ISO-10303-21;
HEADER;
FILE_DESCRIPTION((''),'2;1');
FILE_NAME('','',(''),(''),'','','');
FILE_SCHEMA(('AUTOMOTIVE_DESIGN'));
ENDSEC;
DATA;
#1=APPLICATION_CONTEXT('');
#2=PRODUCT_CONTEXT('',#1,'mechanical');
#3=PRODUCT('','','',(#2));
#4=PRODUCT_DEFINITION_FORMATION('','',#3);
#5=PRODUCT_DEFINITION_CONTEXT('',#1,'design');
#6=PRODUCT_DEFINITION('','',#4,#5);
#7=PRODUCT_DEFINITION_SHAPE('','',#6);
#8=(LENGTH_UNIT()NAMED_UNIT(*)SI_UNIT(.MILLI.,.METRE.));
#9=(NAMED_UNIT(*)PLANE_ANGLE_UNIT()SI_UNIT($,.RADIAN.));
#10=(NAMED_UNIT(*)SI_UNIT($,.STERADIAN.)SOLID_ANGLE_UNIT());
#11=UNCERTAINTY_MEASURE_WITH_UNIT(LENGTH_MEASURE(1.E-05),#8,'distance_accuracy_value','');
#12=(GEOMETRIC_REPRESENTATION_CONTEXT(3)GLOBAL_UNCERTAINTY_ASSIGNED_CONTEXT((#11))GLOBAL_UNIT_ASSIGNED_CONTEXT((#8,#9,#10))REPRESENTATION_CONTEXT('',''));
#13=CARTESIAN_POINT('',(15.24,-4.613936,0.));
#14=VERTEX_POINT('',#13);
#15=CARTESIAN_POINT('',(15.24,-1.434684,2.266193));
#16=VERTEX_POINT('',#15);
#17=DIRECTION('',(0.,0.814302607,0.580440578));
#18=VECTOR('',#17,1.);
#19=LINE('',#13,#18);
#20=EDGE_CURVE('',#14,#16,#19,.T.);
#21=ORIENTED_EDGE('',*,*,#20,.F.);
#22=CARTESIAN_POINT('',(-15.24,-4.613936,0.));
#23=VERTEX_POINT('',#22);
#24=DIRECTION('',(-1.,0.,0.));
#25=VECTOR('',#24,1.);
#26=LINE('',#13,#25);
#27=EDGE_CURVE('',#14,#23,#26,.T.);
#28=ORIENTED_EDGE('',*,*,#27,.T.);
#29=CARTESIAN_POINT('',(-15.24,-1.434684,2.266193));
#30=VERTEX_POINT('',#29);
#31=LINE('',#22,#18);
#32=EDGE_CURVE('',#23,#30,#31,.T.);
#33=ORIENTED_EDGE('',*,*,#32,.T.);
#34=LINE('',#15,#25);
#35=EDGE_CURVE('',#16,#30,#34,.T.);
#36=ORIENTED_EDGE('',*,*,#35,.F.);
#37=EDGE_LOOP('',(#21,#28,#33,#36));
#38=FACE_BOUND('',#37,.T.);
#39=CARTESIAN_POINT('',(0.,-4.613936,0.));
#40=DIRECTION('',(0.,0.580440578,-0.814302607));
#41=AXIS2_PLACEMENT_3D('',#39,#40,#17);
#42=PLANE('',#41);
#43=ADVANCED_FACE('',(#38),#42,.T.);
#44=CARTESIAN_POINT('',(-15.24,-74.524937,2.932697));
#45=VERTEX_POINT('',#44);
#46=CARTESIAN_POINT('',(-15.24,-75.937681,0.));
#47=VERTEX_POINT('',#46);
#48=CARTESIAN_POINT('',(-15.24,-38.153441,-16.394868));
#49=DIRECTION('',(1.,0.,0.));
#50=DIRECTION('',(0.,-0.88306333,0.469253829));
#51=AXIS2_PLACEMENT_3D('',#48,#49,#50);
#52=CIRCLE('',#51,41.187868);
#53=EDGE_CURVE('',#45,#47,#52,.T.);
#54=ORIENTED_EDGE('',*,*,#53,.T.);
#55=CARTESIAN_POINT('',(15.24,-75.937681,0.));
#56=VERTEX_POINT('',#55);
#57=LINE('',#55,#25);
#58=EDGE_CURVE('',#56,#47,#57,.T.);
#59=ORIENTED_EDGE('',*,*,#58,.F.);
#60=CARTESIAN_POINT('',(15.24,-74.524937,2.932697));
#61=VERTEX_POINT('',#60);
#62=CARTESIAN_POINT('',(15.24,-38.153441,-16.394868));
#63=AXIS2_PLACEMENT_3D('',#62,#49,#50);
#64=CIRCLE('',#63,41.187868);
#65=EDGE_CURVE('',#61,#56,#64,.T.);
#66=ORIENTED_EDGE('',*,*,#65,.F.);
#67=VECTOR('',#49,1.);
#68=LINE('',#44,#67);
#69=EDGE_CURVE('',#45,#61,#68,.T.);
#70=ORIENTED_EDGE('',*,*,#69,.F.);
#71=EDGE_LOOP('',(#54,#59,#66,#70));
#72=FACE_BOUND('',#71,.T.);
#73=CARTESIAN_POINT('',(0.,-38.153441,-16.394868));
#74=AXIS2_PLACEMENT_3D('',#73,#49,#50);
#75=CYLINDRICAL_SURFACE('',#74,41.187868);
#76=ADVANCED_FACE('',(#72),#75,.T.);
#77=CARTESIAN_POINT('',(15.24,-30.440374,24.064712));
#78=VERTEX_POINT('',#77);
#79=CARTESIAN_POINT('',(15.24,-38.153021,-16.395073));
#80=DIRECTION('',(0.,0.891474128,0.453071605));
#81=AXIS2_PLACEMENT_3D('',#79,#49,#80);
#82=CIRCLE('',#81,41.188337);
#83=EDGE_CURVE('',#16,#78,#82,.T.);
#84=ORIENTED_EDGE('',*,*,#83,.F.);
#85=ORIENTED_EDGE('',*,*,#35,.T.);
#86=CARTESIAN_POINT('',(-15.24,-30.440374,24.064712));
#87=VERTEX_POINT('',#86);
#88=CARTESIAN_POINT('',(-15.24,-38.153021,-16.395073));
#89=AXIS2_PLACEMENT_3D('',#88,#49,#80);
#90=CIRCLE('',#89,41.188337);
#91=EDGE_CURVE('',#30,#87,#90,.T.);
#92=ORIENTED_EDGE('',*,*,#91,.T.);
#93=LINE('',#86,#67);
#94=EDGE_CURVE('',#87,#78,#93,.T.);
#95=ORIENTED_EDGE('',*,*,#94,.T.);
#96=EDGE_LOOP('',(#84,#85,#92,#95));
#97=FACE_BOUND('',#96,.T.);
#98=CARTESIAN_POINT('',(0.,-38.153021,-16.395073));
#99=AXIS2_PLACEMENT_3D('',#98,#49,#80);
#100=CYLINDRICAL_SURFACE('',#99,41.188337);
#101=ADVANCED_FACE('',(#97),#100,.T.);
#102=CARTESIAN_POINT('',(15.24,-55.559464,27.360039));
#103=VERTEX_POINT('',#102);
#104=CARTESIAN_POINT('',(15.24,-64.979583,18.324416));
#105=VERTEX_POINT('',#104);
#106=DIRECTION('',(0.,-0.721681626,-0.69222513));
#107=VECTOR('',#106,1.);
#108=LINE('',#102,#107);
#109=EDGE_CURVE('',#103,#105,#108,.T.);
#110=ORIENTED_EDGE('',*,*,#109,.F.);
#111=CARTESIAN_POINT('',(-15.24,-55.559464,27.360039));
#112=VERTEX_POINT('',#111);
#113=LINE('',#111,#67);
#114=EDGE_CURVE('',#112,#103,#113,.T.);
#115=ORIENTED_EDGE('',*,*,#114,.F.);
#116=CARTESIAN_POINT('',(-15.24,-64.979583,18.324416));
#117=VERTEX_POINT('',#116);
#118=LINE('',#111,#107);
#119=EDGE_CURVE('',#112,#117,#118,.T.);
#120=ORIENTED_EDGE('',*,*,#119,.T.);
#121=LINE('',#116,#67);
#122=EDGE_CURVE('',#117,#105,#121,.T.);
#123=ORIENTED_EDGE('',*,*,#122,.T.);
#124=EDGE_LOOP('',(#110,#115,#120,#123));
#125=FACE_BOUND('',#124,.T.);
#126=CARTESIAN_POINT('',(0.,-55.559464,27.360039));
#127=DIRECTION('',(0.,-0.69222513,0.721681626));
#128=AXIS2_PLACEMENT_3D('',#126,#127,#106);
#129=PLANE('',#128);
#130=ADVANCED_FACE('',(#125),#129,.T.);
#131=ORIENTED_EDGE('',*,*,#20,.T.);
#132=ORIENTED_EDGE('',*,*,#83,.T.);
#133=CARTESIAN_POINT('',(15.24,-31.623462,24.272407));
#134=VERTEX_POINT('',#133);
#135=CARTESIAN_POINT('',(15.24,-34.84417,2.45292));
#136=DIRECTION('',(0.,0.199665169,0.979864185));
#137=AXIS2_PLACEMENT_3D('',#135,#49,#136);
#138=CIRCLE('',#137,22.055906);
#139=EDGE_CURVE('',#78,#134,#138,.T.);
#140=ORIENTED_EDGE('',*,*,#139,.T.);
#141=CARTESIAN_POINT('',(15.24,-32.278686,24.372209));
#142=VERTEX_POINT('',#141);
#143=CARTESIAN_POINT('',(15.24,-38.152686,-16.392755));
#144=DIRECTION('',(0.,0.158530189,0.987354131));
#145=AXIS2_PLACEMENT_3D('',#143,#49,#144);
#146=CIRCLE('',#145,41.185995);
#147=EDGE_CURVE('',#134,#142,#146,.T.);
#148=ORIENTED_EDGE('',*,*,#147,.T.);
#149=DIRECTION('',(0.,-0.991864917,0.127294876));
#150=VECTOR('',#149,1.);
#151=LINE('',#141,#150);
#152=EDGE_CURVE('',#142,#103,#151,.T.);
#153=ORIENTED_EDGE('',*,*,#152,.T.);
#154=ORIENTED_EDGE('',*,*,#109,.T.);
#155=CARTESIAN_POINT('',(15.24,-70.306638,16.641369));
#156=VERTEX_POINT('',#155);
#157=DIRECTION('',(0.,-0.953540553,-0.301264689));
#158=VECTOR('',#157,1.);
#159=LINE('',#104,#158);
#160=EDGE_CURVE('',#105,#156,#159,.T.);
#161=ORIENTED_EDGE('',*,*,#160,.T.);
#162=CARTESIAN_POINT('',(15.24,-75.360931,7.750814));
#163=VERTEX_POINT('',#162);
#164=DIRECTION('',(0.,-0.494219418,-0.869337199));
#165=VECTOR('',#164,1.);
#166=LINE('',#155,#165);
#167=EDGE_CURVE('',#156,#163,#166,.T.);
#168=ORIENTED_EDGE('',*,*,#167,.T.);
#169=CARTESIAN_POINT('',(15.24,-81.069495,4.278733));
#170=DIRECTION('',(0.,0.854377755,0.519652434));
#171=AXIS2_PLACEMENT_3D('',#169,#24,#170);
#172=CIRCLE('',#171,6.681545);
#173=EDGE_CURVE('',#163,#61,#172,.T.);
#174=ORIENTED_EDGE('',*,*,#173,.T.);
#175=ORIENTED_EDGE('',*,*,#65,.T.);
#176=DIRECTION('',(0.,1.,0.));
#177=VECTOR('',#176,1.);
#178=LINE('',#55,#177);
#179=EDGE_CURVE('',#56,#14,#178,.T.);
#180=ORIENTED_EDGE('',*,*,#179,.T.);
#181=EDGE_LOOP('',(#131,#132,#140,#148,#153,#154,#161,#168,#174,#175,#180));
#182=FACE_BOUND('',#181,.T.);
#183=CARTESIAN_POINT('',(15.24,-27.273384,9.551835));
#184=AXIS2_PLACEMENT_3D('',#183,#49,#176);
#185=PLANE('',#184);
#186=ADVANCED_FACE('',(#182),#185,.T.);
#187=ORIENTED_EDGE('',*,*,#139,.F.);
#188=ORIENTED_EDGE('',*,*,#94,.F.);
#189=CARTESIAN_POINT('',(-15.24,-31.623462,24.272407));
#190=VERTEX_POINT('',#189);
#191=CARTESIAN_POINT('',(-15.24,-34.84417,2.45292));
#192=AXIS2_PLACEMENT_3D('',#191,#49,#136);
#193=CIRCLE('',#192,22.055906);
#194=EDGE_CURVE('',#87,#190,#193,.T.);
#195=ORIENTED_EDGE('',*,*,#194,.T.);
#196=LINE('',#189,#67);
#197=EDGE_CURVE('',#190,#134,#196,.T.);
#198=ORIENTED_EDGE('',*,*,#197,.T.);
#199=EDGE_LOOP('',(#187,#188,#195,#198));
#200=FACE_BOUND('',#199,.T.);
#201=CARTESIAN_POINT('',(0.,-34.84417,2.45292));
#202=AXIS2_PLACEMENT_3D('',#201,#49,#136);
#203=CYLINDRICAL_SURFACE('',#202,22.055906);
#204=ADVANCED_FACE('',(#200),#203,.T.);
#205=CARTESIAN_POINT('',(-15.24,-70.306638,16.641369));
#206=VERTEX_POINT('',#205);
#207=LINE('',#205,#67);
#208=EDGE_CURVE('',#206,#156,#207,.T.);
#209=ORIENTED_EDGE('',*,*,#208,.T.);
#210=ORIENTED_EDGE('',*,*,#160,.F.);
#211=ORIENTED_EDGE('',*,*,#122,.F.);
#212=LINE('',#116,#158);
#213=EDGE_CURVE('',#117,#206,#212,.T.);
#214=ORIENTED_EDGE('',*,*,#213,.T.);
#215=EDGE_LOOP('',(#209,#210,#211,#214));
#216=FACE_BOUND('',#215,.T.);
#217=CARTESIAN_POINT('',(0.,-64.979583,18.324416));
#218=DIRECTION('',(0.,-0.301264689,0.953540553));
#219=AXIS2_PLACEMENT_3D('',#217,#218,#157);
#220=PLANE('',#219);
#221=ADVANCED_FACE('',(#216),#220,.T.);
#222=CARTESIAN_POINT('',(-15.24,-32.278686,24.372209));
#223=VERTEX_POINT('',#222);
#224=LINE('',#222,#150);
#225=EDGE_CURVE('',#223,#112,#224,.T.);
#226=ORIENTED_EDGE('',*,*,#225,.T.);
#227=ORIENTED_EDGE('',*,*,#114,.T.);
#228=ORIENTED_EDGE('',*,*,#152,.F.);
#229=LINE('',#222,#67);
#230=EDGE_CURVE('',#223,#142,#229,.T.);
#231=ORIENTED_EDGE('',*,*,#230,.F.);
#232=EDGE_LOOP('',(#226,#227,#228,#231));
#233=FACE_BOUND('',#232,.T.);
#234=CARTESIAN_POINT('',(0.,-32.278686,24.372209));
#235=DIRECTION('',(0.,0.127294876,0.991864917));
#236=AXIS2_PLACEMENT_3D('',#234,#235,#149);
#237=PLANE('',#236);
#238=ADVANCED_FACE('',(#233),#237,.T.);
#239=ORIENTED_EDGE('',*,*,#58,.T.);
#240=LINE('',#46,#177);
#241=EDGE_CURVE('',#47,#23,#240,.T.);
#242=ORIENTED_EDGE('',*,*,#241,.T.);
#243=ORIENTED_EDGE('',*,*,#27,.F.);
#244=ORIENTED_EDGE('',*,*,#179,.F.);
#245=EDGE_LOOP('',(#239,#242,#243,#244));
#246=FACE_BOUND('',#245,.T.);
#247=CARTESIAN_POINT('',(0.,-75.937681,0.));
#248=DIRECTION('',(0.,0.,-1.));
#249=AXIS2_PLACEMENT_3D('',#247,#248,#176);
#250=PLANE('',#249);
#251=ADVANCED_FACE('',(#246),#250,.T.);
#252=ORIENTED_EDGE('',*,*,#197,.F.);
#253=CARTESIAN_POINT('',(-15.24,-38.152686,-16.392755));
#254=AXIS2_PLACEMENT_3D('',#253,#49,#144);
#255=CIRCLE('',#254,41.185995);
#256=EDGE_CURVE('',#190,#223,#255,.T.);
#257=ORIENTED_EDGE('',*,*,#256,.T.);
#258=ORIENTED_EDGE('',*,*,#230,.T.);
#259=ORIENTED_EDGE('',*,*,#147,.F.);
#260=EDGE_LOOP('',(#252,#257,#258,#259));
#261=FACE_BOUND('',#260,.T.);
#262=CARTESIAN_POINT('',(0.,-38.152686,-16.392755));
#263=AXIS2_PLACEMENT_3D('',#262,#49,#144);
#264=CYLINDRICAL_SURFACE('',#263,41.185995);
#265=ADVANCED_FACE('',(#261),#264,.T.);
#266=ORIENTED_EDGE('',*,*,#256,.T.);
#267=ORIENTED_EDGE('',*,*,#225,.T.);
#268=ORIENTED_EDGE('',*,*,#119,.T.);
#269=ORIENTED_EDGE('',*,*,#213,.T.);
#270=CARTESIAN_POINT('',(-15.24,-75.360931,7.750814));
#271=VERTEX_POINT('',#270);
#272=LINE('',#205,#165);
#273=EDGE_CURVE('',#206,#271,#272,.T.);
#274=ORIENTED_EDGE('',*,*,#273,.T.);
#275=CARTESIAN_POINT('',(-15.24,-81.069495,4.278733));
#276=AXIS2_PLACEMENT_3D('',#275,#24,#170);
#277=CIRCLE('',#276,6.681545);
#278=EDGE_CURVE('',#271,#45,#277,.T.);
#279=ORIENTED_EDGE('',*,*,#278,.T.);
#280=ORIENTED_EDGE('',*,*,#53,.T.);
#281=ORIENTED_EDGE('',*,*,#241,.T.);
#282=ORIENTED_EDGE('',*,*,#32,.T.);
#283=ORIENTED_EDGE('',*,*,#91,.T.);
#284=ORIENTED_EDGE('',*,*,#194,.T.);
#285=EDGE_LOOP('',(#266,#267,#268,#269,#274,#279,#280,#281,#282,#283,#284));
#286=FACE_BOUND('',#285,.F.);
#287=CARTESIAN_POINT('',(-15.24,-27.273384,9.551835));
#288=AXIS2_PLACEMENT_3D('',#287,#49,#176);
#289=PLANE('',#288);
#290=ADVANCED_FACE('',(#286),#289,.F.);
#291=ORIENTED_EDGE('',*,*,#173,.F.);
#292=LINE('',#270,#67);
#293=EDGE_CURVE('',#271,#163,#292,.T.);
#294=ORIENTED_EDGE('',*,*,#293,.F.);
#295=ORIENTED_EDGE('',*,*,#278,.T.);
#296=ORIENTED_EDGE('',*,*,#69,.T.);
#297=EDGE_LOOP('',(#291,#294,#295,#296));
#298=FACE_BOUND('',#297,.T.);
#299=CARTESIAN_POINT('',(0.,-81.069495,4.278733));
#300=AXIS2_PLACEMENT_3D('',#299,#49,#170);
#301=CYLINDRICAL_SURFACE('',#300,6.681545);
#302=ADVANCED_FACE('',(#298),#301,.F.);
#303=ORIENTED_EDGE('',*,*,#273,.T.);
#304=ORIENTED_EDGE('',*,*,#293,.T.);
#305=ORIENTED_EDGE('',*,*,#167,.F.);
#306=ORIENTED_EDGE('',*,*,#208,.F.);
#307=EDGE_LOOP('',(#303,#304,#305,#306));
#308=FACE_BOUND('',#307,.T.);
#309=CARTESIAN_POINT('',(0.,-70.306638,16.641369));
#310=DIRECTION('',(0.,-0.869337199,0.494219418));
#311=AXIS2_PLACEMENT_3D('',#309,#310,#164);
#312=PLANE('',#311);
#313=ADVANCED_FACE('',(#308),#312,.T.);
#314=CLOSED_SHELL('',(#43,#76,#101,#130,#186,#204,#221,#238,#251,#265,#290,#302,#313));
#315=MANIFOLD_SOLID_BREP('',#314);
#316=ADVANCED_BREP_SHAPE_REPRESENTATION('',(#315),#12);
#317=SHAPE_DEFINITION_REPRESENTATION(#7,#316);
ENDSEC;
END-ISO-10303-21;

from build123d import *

# Parameters (mm, degrees)
F1_DEPTH      = 15.24
F1_DEPTH_BACK = 15.24


with BuildPart() as f1:
    # F0 (on Right) → F1 (new body, two sides)
    with BuildSketch(Plane.YZ) as f1_sk:
        with BuildLine():
            ThreePointArc((-1.434684, 2.266193), (-13.407881, 16.531469), (-30.440374, 24.064712))
            ThreePointArc((-30.440374, 24.064712), (-21.972596, 20.363563), (-15.764277, 13.518233))
            ThreePointArc((-15.764277, 13.518233), (-15.114308, 11.234153), (-16.148772, 9.096545))
            Line((-16.148772, 9.096545), (-50.502049, 12.267617))
            ThreePointArc((-50.502049, 12.267617), (-55.179249, 9.077793), (-57.481937, 3.905869))
            Line((-57.481937, 3.905869), (-4.613936, 0))
            Line((-4.613936, 0), (-1.434684, 2.266193))
        make_face()
        with BuildLine():
            ThreePointArc((-30.440374, 24.064712), (-31.030504, 24.176615), (-31.623462, 24.272407))
            ThreePointArc((-31.623462, 24.272407), (-31.031161, 24.172873), (-30.440374, 24.064712))
        make_face()
        with BuildLine():
            ThreePointArc((-74.524937, 2.932697), (-75.260293, 1.480311), (-75.937681, 0))
            ThreePointArc((-75.937681, 0), (-75.049977, 1.378997), (-74.524937, 2.932697))
        make_face()
        Polygon((-4.613936, 0), (-57.481937, 3.905869), (-60.1734, 0), align=None)
        with BuildLine():
            ThreePointArc((-50.502049, 12.267617), (-42.703408, 20.296684), (-32.278686, 24.372209))
            Line((-32.278686, 24.372209), (-55.559464, 27.360039))
            Line((-55.559464, 27.360039), (-64.979583, 18.324416))
            ThreePointArc((-64.979583, 18.324416), (-58.204998, 14.186486), (-50.502049, 12.267617))
        make_face()
        with BuildLine():
            ThreePointArc((-30.440374, 24.064712), (-31.031161, 24.172873), (-31.623462, 24.272407))
            ThreePointArc((-31.623462, 24.272407), (-31.950873, 24.323626), (-32.278686, 24.372209))
            ThreePointArc((-32.278686, 24.372209), (-42.703408, 20.296684), (-50.502049, 12.267617))
            Line((-50.502049, 12.267617), (-16.148772, 9.096545))
            ThreePointArc((-16.148772, 9.096545), (-15.114308, 11.234153), (-15.764277, 13.518233))
            ThreePointArc((-15.764277, 13.518233), (-21.972596, 20.363563), (-30.440374, 24.064712))
        make_face()
        with BuildLine():
            ThreePointArc((-57.481937, 3.905869), (-55.179249, 9.077793), (-50.502049, 12.267617))
            ThreePointArc((-50.502049, 12.267617), (-58.204998, 14.186486), (-64.979583, 18.324416))
            Line((-64.979583, 18.324416), (-70.306638, 16.641369))
            Line((-70.306638, 16.641369), (-75.360931, 7.750814))
            ThreePointArc((-75.360931, 7.750814), (-74.486311, 5.420985), (-74.524937, 2.932697))
            ThreePointArc((-74.524937, 2.932697), (-75.049977, 1.378997), (-75.937681, 0))
            Line((-75.937681, 0), (-60.1734, 0))
            Line((-60.1734, 0), (-57.481937, 3.905869))
        make_face()
    extrude(amount=F1_DEPTH)
    extrude(f1_sk.sketch, amount=-F1_DEPTH_BACK)


solid = f1.part
